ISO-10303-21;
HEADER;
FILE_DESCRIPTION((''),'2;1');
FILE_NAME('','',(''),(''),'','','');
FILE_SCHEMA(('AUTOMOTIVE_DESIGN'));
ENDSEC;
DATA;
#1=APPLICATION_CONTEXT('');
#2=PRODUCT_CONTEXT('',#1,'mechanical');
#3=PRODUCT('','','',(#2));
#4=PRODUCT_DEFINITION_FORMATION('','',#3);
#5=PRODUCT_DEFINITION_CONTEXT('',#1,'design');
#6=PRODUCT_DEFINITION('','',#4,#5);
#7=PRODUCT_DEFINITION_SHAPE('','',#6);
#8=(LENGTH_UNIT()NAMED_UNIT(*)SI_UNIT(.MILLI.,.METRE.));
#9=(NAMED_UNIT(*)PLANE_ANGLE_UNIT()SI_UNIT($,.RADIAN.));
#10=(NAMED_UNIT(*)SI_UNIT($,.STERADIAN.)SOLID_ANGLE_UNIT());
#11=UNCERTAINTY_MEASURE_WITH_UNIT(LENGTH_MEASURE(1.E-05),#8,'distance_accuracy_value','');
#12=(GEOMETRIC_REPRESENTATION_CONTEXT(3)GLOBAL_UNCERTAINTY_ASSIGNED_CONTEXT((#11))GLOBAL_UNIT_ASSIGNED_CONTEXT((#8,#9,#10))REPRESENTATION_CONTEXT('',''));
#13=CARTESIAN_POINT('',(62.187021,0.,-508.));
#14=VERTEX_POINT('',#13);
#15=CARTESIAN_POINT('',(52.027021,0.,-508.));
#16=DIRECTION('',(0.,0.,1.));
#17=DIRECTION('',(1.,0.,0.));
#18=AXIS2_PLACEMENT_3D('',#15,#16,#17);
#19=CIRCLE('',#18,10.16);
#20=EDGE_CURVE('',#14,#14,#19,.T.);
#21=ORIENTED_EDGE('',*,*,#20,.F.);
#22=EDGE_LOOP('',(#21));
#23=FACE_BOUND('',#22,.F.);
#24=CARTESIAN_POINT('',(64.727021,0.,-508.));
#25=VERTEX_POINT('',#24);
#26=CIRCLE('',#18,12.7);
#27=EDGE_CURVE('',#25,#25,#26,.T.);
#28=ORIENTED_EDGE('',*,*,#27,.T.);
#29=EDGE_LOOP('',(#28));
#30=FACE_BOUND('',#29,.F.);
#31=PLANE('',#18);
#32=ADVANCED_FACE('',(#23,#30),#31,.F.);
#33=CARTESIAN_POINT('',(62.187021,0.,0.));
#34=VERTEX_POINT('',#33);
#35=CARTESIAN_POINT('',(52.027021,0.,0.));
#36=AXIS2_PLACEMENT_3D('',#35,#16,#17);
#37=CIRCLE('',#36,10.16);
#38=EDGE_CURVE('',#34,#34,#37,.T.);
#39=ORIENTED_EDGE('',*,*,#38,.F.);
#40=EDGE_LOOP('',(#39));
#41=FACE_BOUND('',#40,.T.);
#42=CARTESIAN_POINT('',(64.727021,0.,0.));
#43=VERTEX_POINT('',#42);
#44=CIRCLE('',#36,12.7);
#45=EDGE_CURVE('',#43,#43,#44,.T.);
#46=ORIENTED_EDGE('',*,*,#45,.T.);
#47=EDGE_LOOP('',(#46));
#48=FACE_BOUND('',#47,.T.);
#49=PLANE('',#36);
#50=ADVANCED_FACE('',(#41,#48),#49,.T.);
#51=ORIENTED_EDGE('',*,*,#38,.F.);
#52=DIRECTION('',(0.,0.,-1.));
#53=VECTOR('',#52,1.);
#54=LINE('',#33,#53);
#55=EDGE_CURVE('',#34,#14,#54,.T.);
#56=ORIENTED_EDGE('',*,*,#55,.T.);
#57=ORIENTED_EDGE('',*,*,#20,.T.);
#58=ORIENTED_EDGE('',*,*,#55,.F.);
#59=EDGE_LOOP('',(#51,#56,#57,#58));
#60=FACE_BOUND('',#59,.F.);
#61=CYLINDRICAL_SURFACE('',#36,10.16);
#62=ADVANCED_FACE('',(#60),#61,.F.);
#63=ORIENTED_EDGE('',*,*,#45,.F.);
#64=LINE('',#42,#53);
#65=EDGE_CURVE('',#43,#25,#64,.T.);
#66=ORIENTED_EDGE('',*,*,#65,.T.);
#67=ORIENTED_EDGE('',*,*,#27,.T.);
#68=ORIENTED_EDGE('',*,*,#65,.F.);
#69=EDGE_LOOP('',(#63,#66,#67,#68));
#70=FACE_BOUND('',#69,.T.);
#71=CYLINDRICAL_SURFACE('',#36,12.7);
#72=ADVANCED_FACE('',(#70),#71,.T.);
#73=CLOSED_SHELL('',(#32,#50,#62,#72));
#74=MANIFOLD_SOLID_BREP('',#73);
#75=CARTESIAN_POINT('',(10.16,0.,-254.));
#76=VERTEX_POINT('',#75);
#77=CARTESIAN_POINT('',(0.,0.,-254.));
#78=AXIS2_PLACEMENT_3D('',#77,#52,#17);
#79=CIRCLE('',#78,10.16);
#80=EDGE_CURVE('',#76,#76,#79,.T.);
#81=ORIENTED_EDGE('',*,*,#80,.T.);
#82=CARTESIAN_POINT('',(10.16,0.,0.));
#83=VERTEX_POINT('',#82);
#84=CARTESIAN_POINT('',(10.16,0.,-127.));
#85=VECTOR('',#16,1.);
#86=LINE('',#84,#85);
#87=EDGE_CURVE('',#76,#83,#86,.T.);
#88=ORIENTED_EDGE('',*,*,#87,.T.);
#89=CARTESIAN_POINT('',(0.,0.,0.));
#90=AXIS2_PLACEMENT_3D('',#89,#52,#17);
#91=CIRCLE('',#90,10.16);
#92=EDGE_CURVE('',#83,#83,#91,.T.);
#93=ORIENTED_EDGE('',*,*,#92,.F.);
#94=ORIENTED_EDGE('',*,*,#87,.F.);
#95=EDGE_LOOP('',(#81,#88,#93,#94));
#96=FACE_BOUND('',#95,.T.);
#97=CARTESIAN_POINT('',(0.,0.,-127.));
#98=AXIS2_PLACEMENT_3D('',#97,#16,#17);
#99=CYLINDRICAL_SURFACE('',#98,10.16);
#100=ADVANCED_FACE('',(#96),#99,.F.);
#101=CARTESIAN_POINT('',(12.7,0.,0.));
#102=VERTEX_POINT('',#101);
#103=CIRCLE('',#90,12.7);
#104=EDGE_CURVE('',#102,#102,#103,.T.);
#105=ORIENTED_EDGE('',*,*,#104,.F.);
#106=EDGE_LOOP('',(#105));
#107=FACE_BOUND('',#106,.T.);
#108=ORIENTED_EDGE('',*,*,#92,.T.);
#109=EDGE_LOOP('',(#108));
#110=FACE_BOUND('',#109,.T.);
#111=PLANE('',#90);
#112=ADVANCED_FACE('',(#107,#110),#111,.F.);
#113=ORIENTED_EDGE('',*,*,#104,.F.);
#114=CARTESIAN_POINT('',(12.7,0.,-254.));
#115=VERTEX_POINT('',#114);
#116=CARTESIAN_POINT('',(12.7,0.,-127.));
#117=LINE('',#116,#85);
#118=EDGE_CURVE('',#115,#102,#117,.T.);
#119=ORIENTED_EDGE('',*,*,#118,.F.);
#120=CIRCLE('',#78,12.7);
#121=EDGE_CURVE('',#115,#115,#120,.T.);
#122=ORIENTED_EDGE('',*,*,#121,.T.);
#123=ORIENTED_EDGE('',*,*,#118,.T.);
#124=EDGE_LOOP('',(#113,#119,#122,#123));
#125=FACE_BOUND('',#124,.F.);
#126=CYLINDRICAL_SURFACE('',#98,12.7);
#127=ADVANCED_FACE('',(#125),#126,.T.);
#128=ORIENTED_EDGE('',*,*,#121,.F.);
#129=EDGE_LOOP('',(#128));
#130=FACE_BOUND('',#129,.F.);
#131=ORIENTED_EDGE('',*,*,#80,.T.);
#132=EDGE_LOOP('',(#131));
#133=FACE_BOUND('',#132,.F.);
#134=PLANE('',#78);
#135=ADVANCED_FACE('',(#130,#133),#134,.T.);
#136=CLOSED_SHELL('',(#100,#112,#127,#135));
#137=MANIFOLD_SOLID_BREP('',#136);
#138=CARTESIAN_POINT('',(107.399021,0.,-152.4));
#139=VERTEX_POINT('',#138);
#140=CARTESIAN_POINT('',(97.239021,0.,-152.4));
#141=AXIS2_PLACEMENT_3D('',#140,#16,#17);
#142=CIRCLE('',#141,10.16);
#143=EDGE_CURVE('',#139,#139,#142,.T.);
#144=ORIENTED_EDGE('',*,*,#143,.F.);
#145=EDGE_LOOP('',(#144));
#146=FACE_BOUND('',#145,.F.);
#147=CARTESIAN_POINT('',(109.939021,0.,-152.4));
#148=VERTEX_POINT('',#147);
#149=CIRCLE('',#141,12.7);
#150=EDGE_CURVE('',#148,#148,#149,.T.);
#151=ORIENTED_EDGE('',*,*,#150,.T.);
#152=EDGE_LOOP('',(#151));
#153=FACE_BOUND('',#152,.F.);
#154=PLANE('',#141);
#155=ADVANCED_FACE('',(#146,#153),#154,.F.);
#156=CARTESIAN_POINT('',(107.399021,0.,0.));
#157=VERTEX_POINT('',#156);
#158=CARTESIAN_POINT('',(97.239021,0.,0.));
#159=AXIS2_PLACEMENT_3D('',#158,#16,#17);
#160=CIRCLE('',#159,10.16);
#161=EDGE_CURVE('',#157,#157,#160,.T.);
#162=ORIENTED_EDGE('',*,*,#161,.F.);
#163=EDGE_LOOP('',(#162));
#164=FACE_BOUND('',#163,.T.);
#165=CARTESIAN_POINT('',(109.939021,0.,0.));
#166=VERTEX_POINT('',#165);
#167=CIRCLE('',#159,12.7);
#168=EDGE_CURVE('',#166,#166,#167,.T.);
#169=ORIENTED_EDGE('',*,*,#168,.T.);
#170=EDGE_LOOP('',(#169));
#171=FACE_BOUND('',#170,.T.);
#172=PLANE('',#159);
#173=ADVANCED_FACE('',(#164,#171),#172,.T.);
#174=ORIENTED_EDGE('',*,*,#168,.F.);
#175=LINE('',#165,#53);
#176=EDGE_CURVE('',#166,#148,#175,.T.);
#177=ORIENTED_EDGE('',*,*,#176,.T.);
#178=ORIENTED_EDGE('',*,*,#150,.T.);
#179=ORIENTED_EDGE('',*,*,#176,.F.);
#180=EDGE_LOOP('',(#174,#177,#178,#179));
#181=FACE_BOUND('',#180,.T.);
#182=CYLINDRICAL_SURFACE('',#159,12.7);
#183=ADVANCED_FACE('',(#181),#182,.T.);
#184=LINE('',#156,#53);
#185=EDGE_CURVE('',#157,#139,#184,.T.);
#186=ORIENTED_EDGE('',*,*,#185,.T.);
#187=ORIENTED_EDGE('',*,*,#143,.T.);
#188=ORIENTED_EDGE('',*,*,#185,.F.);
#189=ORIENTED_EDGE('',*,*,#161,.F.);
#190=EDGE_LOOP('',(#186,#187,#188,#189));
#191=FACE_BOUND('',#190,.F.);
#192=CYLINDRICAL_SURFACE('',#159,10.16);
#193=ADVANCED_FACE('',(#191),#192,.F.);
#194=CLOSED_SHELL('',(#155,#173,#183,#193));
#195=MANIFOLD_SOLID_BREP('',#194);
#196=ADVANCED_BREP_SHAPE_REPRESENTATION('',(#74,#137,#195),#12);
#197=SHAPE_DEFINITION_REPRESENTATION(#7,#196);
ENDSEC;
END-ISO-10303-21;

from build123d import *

# Parameters (mm, degrees)
F0_W     = 2.54
F0_H     = 254
F2_R     = 12.7
F2_R_2   = 10.16
F3_DEPTH = 508
F4_DEPTH = 152.4


with BuildPart() as f1:
    # F0 (on Front) → F1 (revolve)
    with BuildSketch(Plane.XZ):
        with Locations((11.43, -127)):
            Rectangle(F0_W, F0_H)
    revolve(axis=Axis((0, 0, -67.646876), (0, 0, -1)))


with BuildPart() as f3:
    # F2 (on Top) → F3 (new body)
    with BuildSketch(Plane.XY):
        with Locations((52.027021, 0)):
            Circle(F2_R)
        with Locations((52.027021, 0)):
            Circle(F2_R_2, mode=Mode.SUBTRACT)
    extrude(amount=-F3_DEPTH)


with BuildPart() as f4:
    # F2 (on Top) → F4 (new body)
    with BuildSketch(Plane.XY):
        with Locations((97.239021, 0)):
            Circle(F2_R)
        with Locations((97.239021, 0)):
            Circle(F2_R_2, mode=Mode.SUBTRACT)
    extrude(amount=-F4_DEPTH)


solid = Compound([f1.part, f3.part, f4.part])
